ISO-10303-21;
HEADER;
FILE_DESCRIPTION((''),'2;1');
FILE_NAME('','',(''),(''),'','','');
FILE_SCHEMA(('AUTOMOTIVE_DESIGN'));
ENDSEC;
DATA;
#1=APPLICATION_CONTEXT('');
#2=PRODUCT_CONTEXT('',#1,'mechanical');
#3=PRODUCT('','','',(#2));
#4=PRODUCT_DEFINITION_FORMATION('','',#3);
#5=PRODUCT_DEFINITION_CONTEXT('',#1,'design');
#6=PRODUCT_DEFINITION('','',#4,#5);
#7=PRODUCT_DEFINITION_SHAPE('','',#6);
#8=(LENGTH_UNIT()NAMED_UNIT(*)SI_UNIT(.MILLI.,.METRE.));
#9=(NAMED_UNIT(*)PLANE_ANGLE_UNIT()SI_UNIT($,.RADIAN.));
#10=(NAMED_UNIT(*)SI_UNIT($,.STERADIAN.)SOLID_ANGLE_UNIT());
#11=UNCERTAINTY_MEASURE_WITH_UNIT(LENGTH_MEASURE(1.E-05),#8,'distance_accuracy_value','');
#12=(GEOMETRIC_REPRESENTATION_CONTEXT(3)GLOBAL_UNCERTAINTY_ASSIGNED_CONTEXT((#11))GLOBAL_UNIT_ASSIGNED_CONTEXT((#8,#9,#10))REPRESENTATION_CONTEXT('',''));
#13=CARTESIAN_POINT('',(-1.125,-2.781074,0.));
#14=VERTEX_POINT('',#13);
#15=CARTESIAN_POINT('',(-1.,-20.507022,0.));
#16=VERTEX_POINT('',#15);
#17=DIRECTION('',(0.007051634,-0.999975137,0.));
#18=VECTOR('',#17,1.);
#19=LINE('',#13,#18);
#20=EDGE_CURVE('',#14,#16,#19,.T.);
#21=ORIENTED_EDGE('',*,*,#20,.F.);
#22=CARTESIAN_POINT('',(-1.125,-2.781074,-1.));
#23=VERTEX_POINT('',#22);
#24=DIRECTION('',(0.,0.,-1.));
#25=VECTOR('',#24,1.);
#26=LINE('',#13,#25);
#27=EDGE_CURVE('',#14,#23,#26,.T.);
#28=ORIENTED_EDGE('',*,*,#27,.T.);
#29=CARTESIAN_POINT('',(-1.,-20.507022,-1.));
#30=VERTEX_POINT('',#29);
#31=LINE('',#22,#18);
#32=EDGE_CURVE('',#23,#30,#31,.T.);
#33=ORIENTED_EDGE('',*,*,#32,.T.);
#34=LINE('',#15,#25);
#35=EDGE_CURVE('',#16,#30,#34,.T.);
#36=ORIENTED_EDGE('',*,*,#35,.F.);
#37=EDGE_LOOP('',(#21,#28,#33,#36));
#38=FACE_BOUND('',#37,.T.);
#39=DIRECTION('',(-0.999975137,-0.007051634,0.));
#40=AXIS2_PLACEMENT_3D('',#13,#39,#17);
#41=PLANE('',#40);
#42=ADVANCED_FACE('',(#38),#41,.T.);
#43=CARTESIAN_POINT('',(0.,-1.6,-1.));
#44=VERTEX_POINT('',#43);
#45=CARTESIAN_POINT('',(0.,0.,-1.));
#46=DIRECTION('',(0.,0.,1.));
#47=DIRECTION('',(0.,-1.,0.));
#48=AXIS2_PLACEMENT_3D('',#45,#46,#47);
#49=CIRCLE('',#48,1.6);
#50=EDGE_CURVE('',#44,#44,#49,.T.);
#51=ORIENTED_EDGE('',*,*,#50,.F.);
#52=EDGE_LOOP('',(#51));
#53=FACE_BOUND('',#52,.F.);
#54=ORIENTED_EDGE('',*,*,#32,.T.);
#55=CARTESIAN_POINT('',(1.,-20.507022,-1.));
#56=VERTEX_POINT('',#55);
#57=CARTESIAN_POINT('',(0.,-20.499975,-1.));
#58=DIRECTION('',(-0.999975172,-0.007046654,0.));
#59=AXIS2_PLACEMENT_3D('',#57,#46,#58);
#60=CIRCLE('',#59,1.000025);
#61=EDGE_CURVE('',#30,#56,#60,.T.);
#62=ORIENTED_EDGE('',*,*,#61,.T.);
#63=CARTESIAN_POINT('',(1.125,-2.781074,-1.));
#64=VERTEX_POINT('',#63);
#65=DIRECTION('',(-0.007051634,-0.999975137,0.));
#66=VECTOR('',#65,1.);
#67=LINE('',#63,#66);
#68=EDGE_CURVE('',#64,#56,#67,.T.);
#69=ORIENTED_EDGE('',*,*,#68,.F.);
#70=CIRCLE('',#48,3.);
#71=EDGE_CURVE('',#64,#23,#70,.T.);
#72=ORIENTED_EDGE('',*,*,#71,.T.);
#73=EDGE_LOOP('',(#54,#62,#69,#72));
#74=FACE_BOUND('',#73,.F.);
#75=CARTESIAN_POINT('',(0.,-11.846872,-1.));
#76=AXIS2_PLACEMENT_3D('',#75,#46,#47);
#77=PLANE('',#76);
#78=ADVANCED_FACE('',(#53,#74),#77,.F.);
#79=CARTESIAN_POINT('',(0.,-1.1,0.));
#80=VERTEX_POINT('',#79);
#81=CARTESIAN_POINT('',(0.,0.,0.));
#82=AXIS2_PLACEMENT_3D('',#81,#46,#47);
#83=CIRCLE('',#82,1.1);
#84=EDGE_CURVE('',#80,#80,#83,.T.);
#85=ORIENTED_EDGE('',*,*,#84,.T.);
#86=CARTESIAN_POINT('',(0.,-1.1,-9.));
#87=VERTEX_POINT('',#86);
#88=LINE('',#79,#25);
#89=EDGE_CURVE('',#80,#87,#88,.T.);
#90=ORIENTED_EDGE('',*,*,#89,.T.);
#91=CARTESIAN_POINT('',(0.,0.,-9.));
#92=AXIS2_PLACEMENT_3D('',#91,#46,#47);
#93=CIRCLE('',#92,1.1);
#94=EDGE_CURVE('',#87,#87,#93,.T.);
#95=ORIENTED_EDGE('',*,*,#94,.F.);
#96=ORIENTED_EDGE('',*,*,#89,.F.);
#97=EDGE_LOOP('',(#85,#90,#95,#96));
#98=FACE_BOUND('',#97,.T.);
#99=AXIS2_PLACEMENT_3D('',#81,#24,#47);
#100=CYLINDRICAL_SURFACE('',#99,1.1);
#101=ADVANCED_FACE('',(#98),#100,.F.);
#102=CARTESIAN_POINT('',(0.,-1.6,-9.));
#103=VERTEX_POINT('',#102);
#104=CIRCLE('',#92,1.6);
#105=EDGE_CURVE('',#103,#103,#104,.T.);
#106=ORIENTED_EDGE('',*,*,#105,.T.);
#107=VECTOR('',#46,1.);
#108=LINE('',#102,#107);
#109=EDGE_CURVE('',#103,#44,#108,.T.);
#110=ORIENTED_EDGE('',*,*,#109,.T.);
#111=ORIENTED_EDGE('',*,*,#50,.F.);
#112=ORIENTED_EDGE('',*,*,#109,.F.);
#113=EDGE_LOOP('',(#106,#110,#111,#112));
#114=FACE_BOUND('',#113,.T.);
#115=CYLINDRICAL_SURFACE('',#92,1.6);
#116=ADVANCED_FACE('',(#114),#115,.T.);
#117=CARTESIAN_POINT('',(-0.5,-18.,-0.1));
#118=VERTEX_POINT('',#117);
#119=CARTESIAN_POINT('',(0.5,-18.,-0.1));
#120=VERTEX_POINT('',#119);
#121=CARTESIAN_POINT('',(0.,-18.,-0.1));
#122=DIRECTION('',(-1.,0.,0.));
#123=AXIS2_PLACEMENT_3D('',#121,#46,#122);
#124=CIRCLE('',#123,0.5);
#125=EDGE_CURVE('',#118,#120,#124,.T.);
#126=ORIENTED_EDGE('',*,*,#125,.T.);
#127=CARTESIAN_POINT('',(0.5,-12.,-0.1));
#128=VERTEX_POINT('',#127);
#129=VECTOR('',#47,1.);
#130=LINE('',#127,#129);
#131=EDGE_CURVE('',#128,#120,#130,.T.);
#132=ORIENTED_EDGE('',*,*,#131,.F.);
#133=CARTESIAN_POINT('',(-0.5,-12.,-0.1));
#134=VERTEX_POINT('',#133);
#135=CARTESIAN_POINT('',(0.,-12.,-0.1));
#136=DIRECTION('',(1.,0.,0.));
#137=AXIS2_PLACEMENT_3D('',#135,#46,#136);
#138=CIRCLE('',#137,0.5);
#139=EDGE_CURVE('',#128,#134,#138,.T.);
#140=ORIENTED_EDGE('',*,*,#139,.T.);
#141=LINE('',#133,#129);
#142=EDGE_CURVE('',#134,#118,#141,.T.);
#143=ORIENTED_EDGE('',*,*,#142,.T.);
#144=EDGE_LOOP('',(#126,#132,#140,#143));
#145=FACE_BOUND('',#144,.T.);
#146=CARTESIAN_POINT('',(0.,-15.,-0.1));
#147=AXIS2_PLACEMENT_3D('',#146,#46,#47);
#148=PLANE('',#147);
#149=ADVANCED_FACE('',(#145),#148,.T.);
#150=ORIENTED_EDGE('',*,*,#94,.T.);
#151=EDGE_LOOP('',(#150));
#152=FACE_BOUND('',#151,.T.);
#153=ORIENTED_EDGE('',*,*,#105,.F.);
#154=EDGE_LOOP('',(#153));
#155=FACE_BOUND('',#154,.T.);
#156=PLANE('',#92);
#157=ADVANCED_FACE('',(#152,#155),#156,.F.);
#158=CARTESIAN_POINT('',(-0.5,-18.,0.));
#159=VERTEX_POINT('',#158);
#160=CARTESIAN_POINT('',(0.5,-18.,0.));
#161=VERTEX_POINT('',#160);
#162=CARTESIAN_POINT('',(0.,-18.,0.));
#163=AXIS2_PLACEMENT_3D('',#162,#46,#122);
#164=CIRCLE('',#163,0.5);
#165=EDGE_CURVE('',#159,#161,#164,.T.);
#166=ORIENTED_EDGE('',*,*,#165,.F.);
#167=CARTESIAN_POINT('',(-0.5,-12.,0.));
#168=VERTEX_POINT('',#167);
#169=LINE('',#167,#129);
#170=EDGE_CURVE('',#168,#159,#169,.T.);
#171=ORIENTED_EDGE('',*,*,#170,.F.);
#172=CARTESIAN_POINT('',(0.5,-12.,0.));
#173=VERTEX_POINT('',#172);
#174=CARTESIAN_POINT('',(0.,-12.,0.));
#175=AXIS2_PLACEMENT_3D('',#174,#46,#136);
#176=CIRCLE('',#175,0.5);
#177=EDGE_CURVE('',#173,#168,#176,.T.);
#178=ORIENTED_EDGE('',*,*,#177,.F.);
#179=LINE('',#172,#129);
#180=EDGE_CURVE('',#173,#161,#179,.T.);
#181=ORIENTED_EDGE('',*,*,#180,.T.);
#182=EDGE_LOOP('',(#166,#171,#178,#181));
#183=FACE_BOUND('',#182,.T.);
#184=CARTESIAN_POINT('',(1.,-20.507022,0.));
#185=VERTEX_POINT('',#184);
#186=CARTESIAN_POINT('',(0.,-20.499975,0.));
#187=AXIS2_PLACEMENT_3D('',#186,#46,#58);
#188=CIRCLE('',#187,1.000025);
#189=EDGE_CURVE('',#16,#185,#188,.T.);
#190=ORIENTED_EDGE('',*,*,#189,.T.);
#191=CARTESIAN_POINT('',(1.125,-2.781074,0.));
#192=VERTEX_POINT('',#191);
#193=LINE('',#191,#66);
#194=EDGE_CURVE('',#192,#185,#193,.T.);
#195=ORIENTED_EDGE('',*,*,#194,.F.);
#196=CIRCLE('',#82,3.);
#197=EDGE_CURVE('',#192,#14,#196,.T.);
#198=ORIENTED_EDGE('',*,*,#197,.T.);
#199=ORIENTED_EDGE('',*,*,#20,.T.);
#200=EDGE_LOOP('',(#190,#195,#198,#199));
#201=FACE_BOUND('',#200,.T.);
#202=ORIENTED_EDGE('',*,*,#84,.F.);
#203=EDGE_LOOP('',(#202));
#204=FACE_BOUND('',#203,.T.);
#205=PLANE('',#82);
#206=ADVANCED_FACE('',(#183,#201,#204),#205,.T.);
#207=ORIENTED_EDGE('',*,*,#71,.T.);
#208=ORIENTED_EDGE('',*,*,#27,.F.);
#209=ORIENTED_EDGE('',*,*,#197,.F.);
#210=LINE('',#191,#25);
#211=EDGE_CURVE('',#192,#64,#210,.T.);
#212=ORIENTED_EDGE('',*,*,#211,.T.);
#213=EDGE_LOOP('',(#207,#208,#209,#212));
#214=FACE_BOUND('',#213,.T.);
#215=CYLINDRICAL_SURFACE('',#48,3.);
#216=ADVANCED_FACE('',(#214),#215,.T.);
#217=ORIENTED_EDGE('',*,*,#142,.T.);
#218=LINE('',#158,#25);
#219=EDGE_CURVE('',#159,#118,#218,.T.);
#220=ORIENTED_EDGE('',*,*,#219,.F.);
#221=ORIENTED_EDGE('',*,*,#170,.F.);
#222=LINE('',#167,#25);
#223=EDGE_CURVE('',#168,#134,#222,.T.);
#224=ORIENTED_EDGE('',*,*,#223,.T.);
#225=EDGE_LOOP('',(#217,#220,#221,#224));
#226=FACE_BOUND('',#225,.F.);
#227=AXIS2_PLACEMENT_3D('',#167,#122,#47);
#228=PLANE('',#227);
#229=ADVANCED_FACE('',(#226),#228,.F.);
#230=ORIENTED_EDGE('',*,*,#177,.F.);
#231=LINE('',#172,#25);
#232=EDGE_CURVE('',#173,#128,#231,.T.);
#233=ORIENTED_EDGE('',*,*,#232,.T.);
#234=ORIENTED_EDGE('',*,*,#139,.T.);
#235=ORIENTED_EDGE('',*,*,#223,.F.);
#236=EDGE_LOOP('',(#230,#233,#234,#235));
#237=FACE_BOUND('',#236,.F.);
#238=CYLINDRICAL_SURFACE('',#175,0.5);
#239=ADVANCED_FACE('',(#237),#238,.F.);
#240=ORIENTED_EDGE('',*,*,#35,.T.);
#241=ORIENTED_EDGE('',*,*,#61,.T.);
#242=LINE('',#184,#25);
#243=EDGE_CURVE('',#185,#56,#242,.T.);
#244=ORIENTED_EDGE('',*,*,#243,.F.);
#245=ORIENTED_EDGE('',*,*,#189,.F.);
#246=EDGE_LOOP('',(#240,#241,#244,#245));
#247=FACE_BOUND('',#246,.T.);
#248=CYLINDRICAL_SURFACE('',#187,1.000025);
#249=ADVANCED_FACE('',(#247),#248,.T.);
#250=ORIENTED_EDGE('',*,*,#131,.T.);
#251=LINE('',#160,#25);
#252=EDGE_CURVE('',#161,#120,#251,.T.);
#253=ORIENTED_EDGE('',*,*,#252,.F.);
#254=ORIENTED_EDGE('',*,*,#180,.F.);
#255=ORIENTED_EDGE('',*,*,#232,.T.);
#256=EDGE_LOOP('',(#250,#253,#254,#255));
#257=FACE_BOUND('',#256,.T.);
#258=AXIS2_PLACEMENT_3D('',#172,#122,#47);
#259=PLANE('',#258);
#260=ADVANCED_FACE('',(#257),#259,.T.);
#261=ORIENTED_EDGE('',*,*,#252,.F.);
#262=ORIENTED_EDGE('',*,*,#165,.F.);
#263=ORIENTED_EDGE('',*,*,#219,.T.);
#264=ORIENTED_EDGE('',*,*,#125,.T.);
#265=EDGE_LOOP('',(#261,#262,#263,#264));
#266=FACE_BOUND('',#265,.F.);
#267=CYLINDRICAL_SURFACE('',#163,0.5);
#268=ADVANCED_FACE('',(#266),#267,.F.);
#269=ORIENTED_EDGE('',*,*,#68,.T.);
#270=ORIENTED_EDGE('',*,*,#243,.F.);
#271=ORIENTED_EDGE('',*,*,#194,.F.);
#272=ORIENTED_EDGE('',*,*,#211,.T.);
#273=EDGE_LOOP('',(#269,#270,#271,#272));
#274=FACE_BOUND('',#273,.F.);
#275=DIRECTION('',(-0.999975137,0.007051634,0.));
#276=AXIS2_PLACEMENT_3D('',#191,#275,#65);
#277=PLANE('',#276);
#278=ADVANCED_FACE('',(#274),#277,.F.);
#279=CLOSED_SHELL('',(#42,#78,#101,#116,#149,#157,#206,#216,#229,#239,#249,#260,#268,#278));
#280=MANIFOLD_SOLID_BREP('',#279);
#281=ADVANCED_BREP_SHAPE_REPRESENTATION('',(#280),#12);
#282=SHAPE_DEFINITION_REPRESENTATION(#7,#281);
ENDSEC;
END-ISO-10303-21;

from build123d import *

# Parameters (mm, degrees)
PAD_DEPTH    = 1
POCKET_DEPTH = 0.1


with BuildPart() as part:
    # Sketch → Revolution (revolve)
    with BuildSketch(Plane.YZ):
        Polygon((-3, 0), (-1.1, 0), (-1.1, -9), (-1.6, -9), (-1.6, -1), (-3, -1), align=None)
    revolve(axis=Axis((0, 0, 0), (0, 0, 1)))

    # Sketch001 (on Face1 of Revolution) → Pad (new body)
    with BuildSketch(Plane(origin=(0, 0, 0), x_dir=(0, -1, 0), z_dir=(0, 0, 1))):
        with BuildLine():
            Line((2.781074, 1.125), (2.781074, -1.125))
            Line((2.781074, -1.125), (20.507022, -1))
            ThreePointArc((20.507022, -1), (21.5, 0), (20.507022, 1))
            Line((2.781074, 1.125), (20.507022, 1))
        make_face()
    extrude(amount=-PAD_DEPTH)

    # Sketch002 (on Face2 of Pad) → Pocket (cut)
    with BuildSketch(Plane(origin=(0, 0, 0), x_dir=(0, -1, 0), z_dir=(0, 0, 1))):
        with BuildLine():
            ThreePointArc((12, 0.5), (11.5, 0), (12, -0.5))
            Line((12, -0.5), (18, -0.5))
            ThreePointArc((18, -0.5), (18.5, 0), (18, 0.5))
            Line((12, 0.5), (18, 0.5))
        make_face()
    extrude(amount=-POCKET_DEPTH, mode=Mode.SUBTRACT)


solid = part.part
